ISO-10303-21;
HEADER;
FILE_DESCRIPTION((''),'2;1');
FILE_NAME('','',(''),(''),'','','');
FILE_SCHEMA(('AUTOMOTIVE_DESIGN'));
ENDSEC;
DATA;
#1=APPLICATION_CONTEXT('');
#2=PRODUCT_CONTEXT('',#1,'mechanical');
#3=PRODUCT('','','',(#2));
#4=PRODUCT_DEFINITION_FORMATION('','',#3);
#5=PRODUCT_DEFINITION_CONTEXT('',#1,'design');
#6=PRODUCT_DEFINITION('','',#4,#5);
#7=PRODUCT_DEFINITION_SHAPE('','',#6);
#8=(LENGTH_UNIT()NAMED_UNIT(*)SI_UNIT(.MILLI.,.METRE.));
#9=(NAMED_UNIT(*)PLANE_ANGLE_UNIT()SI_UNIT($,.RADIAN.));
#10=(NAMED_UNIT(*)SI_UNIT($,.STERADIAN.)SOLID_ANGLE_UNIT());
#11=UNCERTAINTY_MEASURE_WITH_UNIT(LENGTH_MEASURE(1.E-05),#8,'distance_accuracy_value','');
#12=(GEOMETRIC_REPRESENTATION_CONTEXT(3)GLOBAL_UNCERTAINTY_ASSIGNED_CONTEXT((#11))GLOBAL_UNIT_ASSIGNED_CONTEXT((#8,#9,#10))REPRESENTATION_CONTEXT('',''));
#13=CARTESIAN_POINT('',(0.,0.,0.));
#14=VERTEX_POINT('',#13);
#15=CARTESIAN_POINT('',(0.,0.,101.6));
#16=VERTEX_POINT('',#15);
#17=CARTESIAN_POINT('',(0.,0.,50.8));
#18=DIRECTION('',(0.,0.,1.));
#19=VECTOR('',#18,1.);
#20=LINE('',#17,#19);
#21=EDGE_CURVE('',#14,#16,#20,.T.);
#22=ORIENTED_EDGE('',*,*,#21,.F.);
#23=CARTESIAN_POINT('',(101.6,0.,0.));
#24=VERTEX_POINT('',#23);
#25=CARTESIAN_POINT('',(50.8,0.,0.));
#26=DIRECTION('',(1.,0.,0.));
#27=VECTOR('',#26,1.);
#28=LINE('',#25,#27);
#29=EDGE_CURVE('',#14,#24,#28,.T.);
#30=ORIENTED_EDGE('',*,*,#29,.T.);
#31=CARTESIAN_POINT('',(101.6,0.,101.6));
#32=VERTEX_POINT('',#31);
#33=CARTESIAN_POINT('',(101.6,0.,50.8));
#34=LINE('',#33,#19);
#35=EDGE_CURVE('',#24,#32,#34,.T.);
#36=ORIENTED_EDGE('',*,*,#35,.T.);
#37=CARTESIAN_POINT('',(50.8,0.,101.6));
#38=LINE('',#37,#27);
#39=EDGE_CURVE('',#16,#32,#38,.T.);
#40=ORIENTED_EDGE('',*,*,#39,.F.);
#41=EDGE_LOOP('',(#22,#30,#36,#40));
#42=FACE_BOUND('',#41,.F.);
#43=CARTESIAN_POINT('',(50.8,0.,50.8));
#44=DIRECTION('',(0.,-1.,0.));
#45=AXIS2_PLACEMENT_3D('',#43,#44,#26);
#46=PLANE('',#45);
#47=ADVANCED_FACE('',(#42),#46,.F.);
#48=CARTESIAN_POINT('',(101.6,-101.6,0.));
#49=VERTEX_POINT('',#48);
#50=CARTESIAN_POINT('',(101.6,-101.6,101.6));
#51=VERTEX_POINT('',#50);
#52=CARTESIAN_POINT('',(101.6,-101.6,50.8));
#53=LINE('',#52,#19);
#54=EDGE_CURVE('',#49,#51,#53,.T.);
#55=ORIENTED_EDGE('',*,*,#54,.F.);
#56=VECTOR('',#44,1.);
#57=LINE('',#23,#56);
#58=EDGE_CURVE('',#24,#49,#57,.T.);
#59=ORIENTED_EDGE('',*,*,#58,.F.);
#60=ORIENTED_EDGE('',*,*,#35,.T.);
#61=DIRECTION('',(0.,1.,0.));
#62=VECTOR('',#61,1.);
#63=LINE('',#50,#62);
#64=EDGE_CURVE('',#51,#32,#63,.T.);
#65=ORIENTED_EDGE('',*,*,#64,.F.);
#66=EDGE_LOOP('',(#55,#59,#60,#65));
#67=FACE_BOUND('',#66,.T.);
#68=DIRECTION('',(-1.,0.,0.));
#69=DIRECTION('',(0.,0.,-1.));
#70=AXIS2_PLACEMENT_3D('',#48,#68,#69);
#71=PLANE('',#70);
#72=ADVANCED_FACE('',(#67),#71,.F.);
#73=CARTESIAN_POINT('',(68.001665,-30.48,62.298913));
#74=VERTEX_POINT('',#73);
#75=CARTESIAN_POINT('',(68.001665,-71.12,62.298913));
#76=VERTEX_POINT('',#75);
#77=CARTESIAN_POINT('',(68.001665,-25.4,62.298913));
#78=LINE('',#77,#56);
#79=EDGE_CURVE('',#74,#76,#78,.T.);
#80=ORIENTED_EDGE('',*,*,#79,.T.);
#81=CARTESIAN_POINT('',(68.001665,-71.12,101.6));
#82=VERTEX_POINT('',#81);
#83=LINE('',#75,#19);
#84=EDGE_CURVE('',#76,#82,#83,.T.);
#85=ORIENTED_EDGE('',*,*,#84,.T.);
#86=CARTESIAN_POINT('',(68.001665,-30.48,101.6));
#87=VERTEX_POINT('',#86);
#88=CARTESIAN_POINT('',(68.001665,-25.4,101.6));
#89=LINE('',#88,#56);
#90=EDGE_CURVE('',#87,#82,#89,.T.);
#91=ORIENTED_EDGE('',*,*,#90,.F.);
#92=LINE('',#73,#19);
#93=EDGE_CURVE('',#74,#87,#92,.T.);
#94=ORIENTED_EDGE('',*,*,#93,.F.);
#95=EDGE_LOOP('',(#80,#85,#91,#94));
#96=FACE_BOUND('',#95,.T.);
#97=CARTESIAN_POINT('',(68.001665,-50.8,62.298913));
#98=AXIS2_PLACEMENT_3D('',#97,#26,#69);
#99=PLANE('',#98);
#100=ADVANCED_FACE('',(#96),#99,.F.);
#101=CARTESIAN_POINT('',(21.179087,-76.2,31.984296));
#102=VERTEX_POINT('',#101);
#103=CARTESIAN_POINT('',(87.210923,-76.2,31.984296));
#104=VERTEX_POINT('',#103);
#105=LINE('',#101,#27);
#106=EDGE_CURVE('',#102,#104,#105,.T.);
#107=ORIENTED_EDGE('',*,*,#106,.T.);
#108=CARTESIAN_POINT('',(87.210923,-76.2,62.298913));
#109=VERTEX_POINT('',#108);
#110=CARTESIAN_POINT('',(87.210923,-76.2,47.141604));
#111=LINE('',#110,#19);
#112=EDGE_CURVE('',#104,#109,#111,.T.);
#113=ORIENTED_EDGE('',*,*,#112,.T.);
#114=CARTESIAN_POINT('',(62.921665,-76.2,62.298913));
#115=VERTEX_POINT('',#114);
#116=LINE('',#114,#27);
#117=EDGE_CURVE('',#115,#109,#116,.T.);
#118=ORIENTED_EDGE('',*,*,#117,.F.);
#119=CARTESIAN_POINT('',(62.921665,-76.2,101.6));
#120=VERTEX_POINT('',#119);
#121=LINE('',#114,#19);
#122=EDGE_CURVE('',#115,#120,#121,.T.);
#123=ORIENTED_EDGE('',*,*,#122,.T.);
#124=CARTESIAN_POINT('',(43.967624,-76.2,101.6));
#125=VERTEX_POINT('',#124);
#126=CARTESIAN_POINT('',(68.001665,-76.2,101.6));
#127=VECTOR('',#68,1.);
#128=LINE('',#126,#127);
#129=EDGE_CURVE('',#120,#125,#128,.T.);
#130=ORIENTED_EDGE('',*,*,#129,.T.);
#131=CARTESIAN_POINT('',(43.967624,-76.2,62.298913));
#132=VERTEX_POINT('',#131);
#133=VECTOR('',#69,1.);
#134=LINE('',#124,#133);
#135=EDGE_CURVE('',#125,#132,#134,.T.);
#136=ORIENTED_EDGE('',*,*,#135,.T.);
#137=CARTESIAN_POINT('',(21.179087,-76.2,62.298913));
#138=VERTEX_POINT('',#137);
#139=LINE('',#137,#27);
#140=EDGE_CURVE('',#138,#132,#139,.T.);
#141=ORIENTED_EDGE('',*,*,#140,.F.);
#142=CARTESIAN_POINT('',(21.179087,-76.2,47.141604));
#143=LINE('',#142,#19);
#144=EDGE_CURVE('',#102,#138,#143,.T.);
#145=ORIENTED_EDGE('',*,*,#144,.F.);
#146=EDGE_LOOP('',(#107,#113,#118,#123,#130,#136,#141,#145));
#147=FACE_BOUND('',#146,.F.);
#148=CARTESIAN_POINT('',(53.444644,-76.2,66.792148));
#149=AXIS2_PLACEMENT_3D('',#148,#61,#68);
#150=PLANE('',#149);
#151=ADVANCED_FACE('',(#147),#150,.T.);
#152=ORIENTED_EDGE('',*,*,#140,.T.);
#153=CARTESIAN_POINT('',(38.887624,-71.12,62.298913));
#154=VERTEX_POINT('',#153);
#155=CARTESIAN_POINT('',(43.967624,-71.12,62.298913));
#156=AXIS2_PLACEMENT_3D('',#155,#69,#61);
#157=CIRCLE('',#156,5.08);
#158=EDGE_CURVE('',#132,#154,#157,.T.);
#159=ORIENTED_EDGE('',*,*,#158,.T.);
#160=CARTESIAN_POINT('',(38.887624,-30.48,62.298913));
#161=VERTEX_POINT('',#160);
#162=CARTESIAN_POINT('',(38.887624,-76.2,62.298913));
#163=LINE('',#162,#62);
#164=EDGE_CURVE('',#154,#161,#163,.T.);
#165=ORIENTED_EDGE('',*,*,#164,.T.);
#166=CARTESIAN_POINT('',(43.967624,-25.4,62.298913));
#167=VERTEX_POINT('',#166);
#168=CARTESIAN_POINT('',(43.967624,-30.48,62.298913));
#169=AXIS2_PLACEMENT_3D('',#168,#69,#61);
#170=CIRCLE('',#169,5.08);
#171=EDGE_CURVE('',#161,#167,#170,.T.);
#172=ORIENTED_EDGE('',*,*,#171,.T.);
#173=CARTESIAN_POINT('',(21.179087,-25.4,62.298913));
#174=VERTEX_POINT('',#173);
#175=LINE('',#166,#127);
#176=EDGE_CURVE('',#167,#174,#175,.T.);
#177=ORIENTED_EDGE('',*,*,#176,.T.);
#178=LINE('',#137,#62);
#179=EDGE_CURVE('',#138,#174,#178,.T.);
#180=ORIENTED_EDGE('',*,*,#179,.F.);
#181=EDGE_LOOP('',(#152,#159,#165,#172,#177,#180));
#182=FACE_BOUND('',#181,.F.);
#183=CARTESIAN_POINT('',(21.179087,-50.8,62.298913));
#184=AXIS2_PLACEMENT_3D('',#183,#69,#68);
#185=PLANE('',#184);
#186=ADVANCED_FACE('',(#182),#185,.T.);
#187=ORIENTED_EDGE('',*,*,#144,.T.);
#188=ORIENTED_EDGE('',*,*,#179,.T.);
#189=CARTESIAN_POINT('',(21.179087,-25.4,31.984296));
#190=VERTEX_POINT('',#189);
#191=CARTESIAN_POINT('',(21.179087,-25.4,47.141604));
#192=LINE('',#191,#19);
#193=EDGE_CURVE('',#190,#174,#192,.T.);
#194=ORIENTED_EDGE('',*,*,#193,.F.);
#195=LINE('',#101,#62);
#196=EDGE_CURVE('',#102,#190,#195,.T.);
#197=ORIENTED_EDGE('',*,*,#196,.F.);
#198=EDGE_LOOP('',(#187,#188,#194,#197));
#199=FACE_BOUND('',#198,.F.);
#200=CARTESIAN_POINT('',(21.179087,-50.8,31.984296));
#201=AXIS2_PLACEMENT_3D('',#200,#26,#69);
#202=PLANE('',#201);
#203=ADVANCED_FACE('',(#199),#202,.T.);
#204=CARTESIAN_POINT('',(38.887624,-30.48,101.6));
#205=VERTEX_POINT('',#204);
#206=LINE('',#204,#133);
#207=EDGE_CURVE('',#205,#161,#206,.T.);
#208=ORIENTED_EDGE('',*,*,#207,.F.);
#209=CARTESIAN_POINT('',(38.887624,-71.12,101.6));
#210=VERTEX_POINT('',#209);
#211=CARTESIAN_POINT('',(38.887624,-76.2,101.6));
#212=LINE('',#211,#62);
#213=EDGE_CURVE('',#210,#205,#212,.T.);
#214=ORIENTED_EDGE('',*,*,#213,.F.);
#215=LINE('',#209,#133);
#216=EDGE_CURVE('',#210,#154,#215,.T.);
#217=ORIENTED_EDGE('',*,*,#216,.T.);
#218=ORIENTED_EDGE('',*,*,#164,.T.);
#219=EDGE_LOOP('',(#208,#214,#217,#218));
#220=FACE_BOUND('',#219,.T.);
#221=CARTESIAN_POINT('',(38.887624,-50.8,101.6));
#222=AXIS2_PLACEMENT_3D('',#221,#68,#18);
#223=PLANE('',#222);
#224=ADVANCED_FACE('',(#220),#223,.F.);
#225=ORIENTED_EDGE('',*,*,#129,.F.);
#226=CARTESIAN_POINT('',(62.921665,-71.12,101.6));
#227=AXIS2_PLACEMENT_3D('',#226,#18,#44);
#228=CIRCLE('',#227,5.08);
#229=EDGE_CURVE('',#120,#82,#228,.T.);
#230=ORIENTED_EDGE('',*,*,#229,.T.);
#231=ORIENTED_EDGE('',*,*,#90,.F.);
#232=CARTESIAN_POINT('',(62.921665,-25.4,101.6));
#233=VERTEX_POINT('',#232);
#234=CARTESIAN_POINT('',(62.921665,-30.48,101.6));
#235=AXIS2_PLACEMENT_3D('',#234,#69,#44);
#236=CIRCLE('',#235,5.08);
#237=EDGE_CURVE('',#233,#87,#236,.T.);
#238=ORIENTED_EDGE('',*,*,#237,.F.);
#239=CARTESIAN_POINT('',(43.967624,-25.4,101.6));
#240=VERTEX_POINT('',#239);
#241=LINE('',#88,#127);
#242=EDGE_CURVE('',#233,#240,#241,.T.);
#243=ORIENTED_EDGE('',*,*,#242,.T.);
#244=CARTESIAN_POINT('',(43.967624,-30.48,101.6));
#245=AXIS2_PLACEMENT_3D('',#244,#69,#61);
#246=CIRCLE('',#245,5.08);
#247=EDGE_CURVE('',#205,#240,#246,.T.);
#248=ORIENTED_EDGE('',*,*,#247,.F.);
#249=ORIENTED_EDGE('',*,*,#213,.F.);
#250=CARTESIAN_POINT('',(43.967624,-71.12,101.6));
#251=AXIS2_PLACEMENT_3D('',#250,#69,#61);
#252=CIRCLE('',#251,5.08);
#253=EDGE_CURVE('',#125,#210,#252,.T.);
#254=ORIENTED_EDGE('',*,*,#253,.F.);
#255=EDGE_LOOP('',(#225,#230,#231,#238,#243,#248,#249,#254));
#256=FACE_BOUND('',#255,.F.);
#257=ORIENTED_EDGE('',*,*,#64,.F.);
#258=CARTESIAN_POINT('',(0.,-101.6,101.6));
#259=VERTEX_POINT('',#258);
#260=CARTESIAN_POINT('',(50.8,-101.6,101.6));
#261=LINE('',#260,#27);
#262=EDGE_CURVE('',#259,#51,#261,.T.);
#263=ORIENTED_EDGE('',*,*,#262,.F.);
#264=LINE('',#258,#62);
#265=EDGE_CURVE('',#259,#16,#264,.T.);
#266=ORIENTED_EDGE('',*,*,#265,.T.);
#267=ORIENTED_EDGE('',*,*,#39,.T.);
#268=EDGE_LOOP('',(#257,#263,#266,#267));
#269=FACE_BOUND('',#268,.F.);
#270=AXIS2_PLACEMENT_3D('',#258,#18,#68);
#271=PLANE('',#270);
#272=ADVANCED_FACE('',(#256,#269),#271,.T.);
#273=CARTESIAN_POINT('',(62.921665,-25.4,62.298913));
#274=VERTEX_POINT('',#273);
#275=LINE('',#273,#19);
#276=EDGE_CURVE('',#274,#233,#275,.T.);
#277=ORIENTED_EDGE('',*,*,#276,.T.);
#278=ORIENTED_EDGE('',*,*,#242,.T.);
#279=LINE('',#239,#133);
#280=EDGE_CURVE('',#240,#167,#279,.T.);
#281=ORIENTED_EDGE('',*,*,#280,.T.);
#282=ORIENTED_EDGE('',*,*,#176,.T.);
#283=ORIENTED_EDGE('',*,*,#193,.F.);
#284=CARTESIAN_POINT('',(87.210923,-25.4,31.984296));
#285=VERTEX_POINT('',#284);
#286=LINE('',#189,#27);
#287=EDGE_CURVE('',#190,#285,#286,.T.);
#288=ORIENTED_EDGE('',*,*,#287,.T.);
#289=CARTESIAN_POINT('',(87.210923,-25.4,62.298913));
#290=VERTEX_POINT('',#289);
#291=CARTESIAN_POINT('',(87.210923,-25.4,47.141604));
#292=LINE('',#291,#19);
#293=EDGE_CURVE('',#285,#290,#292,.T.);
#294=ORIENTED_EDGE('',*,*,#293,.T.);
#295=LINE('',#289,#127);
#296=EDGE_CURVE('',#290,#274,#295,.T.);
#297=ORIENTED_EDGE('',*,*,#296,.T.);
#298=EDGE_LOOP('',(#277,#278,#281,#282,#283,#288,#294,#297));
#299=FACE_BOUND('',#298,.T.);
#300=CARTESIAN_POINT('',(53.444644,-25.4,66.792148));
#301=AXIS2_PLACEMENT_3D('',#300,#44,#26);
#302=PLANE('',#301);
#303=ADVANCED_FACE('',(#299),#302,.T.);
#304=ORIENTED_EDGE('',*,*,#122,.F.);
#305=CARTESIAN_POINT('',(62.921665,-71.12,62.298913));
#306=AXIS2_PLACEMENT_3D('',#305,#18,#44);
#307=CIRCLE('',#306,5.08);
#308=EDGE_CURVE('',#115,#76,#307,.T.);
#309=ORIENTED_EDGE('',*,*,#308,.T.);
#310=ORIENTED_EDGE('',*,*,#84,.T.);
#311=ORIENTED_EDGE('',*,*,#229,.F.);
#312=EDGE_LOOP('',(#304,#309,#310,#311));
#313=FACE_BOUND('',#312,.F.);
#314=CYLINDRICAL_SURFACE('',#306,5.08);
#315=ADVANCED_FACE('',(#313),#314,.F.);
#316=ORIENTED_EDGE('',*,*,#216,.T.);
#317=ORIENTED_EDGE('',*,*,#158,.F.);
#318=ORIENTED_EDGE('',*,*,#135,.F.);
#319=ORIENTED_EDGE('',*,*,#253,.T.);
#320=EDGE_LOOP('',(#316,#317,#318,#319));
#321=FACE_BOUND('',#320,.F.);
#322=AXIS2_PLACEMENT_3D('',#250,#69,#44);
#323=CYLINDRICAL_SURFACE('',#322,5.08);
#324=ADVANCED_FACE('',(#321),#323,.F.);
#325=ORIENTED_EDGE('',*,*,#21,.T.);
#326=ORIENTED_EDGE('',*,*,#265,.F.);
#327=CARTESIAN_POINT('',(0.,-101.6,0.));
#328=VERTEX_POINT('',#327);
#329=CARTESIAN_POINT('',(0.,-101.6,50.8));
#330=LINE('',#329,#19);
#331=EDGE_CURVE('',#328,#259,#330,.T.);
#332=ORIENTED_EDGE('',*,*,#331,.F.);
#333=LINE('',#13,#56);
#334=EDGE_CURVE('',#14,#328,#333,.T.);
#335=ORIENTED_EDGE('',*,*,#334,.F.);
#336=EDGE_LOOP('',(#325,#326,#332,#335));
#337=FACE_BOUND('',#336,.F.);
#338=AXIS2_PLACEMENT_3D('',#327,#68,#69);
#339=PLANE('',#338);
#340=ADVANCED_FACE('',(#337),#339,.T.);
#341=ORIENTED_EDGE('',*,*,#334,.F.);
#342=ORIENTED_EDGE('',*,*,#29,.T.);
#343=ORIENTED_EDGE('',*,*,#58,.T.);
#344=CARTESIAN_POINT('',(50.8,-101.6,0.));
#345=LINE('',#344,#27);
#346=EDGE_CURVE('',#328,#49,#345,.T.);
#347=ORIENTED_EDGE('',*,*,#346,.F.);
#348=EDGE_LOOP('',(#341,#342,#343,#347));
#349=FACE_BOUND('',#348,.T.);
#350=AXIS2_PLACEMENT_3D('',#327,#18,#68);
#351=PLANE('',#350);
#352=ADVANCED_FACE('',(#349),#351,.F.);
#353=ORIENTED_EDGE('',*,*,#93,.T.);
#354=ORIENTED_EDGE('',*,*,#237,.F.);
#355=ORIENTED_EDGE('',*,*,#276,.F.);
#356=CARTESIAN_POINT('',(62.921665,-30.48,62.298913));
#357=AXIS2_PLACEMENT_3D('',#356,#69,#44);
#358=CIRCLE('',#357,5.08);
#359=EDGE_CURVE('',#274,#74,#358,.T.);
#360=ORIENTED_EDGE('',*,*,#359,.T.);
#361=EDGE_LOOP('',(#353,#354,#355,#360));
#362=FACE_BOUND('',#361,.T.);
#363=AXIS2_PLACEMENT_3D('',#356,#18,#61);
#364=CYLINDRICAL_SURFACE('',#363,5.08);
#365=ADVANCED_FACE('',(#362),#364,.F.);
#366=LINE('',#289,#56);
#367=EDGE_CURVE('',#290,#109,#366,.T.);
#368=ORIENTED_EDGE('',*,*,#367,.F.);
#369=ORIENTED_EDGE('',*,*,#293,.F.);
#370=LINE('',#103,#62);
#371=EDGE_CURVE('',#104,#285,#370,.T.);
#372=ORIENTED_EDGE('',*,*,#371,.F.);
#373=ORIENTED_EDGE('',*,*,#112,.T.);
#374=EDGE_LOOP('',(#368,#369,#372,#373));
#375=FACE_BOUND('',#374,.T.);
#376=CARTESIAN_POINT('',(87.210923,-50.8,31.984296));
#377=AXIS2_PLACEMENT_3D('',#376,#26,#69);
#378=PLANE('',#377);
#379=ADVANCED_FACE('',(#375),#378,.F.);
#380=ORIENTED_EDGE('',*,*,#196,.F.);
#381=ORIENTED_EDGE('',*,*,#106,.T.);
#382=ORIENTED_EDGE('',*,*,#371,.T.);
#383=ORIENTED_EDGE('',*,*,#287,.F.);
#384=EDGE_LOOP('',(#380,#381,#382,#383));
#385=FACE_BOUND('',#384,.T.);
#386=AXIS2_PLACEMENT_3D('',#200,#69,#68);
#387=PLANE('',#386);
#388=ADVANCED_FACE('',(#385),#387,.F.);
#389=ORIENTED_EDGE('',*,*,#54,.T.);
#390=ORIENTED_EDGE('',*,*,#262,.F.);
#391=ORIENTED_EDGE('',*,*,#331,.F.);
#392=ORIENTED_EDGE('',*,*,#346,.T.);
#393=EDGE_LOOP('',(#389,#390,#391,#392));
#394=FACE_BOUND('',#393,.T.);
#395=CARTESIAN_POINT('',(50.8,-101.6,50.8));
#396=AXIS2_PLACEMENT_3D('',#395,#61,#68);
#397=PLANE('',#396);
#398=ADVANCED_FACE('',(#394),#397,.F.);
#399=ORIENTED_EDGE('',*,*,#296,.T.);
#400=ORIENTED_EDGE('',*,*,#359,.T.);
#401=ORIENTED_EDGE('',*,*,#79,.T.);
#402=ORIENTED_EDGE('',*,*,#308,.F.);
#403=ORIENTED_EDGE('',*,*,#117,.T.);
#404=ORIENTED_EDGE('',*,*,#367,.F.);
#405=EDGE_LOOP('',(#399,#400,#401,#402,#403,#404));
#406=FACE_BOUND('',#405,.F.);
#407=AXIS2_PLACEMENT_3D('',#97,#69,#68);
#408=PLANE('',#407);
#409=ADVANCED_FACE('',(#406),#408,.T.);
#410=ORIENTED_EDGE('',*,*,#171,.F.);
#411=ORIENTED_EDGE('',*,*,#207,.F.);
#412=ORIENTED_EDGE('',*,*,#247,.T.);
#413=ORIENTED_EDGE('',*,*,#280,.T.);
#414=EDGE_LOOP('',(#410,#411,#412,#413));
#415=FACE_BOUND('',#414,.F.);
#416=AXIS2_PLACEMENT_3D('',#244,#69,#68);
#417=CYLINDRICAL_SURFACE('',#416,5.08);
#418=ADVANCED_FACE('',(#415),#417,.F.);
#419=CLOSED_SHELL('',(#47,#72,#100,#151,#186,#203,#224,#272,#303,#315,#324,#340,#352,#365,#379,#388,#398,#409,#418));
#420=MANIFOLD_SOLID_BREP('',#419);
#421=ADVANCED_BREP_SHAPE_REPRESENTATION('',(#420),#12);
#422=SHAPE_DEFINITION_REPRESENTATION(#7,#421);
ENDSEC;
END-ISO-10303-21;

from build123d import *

# Parameters (mm, degrees)
F0_W     = 101.6
F0_H     = 101.6
F1_DEPTH = 50.8
F2_W     = 17.7085362375
F2_H     = 30.314616859
F2_W_2   = 19.2092582583
F3_DEPTH = 25.4
F5_R     = 5.08


with BuildPart() as f1:
    # F0 (on Front) → F1 (new body)
    with BuildSketch(Plane.XZ):
        with Locations((50.8, 50.8)):
            Rectangle(F0_W, F0_H)
    extrude(amount=F1_DEPTH)

    # F2 (on face) → F3 (cut)
    with BuildSketch(Plane.XZ.offset(50.8)):
        Polygon((68.001665175, 101.6), (38.8876236975, 101.6), (38.8876236975, 62.298912555), (38.8876236975, 31.984295696), (68.001665175, 31.984295696), (68.001665175, 62.298912555), align=None)
        with Locations((30.0333555788, 47.1416041255)):
            Rectangle(F2_W, F2_H)
        with Locations((77.6062943041, 47.1416041255)):
            Rectangle(F2_W_2, F2_H)
    extrude(amount=-F3_DEPTH, mode=Mode.SUBTRACT)

    # F4: F1 across face


with BuildPart() as f1_1:
    add(f1.part)
    add(f1.part.mirror(Plane(origin=(49.4313994673, -50.8, 46.8540587323), x_dir=(1, 0, 0), z_dir=(0, -1, 0))))

    # F5
    f5_edges = [f1_1.edges().sort_by_distance(p)[0] for p in [
        (68.001665, -25.4, 81.949456),
        (38.887624, -25.4, 81.949456),
        (68.001665, -76.2, 81.949456),
        (38.887624, -76.2, 81.949456),
    ]]
    fillet(f5_edges, radius=F5_R)


solid = f1_1.part
